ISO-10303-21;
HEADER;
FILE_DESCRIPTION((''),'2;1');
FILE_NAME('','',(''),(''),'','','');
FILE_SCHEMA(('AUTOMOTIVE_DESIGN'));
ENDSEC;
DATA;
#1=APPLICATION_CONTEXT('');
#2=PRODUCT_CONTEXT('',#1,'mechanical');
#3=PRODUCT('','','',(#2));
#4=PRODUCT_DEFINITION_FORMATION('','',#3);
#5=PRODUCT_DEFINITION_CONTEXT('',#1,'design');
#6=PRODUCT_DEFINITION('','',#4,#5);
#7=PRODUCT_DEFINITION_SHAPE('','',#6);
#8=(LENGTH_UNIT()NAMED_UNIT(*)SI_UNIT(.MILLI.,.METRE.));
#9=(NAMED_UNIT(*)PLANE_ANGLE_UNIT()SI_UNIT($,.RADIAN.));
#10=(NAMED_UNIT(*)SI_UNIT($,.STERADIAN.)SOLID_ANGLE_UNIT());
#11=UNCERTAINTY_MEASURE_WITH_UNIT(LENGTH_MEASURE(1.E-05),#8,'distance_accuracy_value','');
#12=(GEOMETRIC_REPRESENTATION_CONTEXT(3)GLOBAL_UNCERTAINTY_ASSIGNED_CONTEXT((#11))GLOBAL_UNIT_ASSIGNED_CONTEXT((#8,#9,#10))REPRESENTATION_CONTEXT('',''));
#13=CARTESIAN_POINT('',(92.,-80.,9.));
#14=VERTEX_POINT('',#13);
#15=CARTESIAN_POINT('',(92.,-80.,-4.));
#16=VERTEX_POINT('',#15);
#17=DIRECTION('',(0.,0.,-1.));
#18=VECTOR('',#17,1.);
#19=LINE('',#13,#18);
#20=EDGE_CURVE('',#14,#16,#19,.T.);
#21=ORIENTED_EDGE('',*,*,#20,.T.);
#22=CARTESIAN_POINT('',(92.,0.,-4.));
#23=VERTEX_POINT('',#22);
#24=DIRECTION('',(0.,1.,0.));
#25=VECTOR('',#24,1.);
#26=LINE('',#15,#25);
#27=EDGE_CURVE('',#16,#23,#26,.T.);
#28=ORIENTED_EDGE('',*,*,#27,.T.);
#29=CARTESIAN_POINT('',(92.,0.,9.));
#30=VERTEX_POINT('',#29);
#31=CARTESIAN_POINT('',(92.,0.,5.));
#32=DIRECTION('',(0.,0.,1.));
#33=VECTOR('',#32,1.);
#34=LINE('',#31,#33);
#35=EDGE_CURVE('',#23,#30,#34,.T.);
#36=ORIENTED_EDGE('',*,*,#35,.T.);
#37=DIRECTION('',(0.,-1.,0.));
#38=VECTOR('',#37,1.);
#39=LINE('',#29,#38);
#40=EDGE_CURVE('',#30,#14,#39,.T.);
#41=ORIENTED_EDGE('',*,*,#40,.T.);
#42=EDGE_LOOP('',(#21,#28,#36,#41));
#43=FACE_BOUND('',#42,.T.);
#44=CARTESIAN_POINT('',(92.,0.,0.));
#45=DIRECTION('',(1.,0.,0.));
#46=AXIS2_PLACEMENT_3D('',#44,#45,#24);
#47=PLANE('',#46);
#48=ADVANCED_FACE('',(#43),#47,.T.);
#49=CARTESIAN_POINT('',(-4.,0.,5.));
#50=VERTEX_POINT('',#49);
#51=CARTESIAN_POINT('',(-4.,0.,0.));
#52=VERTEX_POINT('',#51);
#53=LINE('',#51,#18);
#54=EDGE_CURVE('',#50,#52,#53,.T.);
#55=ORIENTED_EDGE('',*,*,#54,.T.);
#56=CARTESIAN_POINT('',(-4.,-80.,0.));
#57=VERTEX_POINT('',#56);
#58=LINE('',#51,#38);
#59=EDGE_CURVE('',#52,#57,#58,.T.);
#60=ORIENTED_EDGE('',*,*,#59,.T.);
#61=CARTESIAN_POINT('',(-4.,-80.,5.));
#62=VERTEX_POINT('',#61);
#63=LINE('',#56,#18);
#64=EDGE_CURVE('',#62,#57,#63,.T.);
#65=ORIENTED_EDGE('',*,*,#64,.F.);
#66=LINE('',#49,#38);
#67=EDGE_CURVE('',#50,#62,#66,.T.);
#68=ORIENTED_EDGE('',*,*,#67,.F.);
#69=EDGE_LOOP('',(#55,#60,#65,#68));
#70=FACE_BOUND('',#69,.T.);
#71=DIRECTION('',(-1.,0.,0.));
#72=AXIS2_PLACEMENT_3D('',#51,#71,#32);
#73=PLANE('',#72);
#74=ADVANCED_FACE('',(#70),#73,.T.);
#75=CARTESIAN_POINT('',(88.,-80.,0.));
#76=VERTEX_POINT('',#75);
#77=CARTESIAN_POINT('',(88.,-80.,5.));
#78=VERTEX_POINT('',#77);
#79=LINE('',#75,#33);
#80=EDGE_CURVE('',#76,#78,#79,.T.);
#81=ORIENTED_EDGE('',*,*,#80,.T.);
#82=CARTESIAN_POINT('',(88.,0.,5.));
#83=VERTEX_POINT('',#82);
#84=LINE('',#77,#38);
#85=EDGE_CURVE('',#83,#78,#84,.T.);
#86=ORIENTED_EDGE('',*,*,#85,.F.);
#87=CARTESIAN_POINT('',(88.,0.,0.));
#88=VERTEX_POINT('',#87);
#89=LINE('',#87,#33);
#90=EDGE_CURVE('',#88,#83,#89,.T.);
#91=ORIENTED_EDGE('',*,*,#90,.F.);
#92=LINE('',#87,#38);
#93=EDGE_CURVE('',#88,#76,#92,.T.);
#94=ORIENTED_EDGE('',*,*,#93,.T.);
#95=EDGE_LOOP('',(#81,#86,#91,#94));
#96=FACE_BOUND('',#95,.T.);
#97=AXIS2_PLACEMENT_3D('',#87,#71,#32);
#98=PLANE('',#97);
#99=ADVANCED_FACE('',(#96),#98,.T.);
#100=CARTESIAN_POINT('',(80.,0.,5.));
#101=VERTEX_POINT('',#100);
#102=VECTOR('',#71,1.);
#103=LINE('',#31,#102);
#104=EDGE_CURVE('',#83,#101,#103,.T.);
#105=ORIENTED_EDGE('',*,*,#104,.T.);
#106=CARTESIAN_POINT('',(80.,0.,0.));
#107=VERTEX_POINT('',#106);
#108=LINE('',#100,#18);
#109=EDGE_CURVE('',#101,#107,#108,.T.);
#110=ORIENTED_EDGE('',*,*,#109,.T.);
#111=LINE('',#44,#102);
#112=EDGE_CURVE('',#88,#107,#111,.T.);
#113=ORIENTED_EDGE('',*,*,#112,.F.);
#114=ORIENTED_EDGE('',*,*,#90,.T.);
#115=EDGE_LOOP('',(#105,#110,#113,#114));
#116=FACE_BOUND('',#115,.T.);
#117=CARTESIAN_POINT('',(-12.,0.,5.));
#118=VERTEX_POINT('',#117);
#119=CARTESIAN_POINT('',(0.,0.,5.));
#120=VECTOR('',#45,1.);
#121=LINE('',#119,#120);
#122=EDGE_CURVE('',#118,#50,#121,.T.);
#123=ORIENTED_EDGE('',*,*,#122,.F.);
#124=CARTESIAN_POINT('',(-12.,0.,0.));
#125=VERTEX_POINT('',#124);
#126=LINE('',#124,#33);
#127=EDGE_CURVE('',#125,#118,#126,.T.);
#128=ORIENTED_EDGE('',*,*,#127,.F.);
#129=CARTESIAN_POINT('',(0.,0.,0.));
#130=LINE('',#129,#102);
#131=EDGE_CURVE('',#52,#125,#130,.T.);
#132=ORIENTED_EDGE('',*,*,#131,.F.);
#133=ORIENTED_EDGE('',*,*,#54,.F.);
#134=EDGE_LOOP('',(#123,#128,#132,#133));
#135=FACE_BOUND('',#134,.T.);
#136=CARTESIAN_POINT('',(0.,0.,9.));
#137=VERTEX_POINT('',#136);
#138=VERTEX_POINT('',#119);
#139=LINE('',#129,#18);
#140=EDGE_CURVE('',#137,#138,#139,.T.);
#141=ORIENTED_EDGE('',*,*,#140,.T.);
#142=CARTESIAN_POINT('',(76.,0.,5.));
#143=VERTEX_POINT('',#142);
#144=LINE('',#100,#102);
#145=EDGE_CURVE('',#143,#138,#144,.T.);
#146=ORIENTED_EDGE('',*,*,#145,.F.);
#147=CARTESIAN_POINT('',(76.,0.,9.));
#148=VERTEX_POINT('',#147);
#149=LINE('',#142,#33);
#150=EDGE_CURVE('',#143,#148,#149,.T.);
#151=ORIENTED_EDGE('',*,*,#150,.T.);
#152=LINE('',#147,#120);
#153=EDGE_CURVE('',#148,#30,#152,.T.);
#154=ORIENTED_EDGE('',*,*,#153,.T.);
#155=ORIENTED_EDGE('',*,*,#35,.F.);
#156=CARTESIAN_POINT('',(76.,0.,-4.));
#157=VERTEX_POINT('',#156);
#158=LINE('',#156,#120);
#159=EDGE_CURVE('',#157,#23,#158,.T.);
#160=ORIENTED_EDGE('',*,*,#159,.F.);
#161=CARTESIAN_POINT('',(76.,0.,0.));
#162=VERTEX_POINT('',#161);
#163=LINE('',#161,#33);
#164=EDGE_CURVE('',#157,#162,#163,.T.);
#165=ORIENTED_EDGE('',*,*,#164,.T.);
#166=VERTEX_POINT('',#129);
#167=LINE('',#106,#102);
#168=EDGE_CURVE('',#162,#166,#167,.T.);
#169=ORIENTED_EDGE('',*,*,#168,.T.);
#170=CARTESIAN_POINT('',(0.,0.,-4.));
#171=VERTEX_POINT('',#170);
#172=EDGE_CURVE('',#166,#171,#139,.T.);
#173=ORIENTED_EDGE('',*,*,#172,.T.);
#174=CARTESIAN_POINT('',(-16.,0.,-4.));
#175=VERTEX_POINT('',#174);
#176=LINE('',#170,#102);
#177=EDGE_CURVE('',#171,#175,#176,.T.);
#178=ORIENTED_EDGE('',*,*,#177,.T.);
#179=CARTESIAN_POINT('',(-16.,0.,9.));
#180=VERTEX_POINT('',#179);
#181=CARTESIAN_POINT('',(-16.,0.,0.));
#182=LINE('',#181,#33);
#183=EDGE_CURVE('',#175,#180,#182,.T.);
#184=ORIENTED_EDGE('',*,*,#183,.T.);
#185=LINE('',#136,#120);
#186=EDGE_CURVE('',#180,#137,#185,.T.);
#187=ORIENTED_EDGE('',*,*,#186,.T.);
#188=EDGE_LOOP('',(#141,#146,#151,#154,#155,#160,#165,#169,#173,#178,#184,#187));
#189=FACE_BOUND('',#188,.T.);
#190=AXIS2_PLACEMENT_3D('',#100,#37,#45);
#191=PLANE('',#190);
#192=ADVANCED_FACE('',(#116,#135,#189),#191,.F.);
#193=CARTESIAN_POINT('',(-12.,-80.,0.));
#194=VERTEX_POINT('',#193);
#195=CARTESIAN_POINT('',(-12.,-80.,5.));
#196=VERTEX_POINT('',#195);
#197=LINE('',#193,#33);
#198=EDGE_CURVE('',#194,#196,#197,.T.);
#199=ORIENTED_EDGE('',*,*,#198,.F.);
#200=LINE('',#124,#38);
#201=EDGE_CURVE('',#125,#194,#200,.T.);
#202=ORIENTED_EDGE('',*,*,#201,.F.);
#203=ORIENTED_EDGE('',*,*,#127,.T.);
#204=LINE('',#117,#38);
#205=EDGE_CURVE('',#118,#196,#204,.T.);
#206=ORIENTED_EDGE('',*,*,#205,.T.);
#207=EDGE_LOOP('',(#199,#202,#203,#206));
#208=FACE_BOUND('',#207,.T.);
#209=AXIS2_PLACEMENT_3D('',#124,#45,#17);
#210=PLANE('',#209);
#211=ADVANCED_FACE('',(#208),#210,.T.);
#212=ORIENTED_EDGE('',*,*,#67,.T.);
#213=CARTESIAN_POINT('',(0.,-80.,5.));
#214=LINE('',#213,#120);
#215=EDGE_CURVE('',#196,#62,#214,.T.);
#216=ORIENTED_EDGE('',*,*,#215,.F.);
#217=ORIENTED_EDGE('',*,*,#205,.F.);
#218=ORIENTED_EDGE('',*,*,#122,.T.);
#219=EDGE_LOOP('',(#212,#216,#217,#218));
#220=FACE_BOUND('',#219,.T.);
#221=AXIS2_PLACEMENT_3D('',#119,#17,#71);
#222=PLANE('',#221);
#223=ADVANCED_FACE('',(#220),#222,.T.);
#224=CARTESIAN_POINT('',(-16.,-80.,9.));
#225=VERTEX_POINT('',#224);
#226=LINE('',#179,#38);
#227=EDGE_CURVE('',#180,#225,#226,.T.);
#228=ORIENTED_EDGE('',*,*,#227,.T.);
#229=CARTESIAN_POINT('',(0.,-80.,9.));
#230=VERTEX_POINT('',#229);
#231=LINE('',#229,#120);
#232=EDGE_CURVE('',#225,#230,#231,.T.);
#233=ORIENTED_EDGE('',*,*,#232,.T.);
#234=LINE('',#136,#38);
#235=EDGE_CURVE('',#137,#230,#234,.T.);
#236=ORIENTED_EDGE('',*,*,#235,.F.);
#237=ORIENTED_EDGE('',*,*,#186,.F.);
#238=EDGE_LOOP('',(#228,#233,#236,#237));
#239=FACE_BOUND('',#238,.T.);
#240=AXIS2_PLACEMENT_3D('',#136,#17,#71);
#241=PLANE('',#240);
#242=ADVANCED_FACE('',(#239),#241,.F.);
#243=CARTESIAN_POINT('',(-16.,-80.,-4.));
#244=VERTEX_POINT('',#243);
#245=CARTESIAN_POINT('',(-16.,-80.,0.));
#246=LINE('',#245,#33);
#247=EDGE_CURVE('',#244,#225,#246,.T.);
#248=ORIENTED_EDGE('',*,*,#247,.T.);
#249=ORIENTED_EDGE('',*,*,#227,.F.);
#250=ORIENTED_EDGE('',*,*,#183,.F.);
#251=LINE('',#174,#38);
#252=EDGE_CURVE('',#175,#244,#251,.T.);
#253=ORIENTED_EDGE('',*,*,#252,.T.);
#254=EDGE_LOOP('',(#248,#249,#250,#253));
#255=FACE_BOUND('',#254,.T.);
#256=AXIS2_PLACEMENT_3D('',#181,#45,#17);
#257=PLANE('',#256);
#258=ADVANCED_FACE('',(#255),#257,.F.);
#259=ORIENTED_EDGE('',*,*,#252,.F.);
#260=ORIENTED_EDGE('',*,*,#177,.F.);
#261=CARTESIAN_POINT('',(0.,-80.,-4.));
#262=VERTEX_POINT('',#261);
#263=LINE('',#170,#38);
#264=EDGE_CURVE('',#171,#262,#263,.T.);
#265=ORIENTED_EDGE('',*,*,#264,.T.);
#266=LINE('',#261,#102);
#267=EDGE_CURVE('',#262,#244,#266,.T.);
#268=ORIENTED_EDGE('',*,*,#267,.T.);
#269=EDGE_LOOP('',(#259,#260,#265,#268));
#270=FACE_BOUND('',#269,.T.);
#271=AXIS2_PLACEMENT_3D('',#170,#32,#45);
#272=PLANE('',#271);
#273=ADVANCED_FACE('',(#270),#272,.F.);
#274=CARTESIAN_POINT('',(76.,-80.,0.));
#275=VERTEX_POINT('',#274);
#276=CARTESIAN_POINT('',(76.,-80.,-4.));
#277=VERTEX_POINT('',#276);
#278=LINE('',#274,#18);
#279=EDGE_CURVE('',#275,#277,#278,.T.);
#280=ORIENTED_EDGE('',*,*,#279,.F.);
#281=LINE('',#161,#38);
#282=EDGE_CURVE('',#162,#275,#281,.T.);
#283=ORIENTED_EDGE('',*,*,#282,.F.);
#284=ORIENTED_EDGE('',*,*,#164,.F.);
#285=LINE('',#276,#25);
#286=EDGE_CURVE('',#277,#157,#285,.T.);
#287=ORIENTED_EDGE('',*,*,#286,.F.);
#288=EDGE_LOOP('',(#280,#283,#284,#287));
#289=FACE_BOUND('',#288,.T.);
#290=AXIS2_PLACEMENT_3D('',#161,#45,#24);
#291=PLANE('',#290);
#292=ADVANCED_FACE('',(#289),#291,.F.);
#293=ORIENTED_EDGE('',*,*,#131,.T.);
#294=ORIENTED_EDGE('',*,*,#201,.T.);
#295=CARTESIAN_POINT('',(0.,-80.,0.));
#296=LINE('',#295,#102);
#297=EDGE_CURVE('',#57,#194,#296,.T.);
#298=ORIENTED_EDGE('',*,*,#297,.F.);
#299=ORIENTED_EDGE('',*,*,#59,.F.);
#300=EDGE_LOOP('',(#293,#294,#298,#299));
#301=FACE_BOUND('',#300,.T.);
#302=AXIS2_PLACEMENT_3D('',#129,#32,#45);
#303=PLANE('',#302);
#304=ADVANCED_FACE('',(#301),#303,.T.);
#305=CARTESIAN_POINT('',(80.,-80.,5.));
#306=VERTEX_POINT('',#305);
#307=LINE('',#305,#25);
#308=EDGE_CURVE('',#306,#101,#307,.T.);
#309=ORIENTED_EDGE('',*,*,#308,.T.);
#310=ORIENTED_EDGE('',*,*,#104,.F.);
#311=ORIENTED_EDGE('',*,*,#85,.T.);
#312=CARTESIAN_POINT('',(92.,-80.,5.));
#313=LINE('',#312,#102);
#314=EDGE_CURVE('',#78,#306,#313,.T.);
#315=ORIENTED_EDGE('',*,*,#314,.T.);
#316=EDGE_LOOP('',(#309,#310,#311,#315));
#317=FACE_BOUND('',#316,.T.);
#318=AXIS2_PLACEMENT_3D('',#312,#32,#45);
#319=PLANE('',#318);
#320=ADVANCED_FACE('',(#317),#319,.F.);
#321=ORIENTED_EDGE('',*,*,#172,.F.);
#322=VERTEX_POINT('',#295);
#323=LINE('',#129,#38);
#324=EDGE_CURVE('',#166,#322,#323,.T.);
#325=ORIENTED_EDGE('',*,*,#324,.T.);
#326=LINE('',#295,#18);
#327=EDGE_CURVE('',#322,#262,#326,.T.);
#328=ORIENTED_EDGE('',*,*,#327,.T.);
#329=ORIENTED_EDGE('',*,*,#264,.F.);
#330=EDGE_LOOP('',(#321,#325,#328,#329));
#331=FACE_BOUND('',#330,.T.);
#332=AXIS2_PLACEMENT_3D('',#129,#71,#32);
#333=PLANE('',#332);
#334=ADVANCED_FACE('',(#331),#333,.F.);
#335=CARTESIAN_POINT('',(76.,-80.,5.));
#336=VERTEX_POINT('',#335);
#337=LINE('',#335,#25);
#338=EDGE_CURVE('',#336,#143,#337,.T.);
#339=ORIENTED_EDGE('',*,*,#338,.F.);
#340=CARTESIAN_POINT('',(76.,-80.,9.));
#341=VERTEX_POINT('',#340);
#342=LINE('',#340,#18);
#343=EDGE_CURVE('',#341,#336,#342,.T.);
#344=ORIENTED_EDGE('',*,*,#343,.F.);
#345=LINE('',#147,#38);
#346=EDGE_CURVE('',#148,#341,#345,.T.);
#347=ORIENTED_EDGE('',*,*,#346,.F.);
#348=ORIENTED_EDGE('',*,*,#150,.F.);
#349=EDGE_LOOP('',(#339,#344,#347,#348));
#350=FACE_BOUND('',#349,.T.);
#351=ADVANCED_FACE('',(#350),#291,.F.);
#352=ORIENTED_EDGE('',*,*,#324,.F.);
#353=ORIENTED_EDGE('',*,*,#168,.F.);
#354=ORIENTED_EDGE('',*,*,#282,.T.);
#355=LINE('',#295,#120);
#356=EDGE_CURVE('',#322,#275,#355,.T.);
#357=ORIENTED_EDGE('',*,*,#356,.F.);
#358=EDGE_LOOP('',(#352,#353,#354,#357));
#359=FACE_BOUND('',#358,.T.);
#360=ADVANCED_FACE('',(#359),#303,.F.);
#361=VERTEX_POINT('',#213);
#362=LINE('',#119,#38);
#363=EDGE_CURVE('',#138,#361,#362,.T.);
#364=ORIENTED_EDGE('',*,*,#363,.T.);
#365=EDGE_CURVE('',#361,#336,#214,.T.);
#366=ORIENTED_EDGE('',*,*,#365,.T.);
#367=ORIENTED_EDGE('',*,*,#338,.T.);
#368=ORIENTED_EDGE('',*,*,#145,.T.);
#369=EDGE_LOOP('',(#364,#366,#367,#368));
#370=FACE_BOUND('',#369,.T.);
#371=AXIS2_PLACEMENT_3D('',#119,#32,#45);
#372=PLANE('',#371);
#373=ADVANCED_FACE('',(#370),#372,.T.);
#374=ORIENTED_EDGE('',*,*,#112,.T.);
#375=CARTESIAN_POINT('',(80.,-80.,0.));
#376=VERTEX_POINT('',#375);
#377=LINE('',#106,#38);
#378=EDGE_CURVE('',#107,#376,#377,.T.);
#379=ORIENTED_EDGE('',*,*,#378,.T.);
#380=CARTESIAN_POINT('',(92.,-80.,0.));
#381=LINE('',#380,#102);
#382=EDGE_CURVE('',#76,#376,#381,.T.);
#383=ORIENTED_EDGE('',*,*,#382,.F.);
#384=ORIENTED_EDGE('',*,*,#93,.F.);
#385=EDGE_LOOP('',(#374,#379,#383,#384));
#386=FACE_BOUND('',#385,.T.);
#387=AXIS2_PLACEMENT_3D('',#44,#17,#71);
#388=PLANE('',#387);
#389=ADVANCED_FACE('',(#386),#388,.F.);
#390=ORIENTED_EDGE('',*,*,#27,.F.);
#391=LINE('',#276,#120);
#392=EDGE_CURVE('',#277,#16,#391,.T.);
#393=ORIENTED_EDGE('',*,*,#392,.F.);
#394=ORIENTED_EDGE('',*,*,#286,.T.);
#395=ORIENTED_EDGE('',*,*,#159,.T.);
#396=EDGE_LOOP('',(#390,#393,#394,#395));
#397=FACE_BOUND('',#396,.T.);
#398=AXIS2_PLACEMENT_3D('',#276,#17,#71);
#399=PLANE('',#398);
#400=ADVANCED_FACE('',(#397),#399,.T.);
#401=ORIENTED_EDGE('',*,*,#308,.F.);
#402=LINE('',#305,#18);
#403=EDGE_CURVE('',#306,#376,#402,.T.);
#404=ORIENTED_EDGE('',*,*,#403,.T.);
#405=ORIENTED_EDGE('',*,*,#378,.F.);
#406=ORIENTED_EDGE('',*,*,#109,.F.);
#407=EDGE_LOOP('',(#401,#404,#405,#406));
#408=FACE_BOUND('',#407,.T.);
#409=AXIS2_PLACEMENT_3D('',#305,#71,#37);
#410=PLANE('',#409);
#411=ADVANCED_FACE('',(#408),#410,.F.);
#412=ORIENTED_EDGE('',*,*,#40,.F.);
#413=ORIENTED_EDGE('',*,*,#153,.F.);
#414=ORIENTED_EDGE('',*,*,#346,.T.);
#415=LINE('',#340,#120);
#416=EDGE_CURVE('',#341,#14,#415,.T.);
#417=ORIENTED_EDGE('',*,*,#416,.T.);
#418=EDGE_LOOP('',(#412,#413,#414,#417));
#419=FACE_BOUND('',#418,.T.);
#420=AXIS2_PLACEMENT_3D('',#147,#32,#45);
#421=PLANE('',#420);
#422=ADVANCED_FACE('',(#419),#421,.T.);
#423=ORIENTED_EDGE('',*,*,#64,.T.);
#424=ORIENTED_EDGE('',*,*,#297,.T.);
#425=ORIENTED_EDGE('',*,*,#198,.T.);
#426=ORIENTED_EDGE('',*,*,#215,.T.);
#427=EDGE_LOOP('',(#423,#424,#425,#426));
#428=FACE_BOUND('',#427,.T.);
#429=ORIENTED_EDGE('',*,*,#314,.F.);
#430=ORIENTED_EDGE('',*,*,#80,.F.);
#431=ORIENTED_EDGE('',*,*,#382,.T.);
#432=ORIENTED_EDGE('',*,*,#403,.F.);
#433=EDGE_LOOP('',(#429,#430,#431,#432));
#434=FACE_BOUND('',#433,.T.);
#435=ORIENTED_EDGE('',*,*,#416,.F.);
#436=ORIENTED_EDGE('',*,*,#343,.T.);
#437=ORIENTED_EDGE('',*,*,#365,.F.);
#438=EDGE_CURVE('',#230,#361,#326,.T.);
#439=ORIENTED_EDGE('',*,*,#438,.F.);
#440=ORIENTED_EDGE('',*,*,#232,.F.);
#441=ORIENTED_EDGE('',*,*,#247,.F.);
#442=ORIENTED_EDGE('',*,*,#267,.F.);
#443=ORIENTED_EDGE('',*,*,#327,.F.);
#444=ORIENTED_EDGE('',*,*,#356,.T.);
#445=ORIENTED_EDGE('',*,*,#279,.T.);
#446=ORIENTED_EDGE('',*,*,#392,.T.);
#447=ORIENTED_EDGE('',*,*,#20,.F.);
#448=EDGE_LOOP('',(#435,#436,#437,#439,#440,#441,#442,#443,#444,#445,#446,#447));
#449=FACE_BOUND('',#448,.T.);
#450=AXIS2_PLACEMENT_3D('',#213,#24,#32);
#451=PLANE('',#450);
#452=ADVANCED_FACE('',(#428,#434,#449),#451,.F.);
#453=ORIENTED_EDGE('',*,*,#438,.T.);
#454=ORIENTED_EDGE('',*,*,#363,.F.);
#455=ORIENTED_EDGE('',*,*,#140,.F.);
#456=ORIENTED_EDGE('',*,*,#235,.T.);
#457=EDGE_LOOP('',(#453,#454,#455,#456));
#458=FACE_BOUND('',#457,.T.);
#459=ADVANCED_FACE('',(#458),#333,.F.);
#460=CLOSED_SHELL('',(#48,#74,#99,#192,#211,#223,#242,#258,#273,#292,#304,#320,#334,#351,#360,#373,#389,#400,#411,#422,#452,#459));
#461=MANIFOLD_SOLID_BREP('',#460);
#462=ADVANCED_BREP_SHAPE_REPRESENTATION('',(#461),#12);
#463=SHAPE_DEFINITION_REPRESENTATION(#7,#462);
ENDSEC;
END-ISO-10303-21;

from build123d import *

# Parameters (mm, degrees)
SKETCH_1_W      = 80
SKETCH_1_H      = 80
EXTRUDE_1_DEPTH = 5
SKETCH_2_W      = 4
SKETCH_2_H      = 80
EXTRUDE_2_DEPTH = 4
SKETCH_2_2_W    = 4
SKETCH_2_2_H    = 80
EXTRUDE_3_DEPTH = 12
SKETCH_3_W      = 4
SKETCH_3_H      = 80
EXTRUDE_4_DEPTH = 9
SKETCH_6_W      = 8
SKETCH_6_H      = 5
EXTRUDE_5_DEPTH = 80


with BuildPart() as part:
    # 草图1 → 凸台-拉伸1 (new body)
    with BuildSketch(Plane.XY):
        with Locations((40, -40)):
            Rectangle(SKETCH_1_W, SKETCH_1_H)
    extrude(amount=EXTRUDE_1_DEPTH)

    # 草图2 → 凸台-拉伸2 (add)
    with BuildSketch(Plane(origin=(80, 0, 0), x_dir=(0, 0, -1), z_dir=(1, 0, 0))):
        with Locations((-7, -40)):
            Rectangle(SKETCH_2_W, SKETCH_2_H)
        with Locations((2, -40)):
            Rectangle(SKETCH_2_W, SKETCH_2_H)
    extrude(amount=-EXTRUDE_2_DEPTH)

    # 草图2<2> → 凸台-拉伸3 (add)
    with BuildSketch(Plane(origin=(80, 0, 0), x_dir=(0, 0, -1), z_dir=(1, 0, 0))):
        with Locations((-7, -40)):
            Rectangle(SKETCH_2_2_W, SKETCH_2_2_H)
        with Locations((2, -40)):
            Rectangle(SKETCH_2_2_W, SKETCH_2_2_H)
    extrude(amount=EXTRUDE_3_DEPTH)

    # 草图3 → 凸台-拉伸4 (add)
    with BuildSketch(Plane.XY.offset(9)):
        with Locations((90, -40)):
            Rectangle(SKETCH_3_W, SKETCH_3_H)
    extrude(amount=-EXTRUDE_4_DEPTH)

    # 草图6 → 凸台-拉伸5 (add)
    with BuildSketch(Plane.XZ.offset(80)):
        Polygon((-16, -4), (0, -4), (0, 0), (0, 5), (0, 9), (-16, 9), align=None)
        with Locations((-8, 2.5)):
            Rectangle(SKETCH_6_W, SKETCH_6_H, mode=Mode.SUBTRACT)
    extrude(amount=-EXTRUDE_5_DEPTH)


solid = part.part
